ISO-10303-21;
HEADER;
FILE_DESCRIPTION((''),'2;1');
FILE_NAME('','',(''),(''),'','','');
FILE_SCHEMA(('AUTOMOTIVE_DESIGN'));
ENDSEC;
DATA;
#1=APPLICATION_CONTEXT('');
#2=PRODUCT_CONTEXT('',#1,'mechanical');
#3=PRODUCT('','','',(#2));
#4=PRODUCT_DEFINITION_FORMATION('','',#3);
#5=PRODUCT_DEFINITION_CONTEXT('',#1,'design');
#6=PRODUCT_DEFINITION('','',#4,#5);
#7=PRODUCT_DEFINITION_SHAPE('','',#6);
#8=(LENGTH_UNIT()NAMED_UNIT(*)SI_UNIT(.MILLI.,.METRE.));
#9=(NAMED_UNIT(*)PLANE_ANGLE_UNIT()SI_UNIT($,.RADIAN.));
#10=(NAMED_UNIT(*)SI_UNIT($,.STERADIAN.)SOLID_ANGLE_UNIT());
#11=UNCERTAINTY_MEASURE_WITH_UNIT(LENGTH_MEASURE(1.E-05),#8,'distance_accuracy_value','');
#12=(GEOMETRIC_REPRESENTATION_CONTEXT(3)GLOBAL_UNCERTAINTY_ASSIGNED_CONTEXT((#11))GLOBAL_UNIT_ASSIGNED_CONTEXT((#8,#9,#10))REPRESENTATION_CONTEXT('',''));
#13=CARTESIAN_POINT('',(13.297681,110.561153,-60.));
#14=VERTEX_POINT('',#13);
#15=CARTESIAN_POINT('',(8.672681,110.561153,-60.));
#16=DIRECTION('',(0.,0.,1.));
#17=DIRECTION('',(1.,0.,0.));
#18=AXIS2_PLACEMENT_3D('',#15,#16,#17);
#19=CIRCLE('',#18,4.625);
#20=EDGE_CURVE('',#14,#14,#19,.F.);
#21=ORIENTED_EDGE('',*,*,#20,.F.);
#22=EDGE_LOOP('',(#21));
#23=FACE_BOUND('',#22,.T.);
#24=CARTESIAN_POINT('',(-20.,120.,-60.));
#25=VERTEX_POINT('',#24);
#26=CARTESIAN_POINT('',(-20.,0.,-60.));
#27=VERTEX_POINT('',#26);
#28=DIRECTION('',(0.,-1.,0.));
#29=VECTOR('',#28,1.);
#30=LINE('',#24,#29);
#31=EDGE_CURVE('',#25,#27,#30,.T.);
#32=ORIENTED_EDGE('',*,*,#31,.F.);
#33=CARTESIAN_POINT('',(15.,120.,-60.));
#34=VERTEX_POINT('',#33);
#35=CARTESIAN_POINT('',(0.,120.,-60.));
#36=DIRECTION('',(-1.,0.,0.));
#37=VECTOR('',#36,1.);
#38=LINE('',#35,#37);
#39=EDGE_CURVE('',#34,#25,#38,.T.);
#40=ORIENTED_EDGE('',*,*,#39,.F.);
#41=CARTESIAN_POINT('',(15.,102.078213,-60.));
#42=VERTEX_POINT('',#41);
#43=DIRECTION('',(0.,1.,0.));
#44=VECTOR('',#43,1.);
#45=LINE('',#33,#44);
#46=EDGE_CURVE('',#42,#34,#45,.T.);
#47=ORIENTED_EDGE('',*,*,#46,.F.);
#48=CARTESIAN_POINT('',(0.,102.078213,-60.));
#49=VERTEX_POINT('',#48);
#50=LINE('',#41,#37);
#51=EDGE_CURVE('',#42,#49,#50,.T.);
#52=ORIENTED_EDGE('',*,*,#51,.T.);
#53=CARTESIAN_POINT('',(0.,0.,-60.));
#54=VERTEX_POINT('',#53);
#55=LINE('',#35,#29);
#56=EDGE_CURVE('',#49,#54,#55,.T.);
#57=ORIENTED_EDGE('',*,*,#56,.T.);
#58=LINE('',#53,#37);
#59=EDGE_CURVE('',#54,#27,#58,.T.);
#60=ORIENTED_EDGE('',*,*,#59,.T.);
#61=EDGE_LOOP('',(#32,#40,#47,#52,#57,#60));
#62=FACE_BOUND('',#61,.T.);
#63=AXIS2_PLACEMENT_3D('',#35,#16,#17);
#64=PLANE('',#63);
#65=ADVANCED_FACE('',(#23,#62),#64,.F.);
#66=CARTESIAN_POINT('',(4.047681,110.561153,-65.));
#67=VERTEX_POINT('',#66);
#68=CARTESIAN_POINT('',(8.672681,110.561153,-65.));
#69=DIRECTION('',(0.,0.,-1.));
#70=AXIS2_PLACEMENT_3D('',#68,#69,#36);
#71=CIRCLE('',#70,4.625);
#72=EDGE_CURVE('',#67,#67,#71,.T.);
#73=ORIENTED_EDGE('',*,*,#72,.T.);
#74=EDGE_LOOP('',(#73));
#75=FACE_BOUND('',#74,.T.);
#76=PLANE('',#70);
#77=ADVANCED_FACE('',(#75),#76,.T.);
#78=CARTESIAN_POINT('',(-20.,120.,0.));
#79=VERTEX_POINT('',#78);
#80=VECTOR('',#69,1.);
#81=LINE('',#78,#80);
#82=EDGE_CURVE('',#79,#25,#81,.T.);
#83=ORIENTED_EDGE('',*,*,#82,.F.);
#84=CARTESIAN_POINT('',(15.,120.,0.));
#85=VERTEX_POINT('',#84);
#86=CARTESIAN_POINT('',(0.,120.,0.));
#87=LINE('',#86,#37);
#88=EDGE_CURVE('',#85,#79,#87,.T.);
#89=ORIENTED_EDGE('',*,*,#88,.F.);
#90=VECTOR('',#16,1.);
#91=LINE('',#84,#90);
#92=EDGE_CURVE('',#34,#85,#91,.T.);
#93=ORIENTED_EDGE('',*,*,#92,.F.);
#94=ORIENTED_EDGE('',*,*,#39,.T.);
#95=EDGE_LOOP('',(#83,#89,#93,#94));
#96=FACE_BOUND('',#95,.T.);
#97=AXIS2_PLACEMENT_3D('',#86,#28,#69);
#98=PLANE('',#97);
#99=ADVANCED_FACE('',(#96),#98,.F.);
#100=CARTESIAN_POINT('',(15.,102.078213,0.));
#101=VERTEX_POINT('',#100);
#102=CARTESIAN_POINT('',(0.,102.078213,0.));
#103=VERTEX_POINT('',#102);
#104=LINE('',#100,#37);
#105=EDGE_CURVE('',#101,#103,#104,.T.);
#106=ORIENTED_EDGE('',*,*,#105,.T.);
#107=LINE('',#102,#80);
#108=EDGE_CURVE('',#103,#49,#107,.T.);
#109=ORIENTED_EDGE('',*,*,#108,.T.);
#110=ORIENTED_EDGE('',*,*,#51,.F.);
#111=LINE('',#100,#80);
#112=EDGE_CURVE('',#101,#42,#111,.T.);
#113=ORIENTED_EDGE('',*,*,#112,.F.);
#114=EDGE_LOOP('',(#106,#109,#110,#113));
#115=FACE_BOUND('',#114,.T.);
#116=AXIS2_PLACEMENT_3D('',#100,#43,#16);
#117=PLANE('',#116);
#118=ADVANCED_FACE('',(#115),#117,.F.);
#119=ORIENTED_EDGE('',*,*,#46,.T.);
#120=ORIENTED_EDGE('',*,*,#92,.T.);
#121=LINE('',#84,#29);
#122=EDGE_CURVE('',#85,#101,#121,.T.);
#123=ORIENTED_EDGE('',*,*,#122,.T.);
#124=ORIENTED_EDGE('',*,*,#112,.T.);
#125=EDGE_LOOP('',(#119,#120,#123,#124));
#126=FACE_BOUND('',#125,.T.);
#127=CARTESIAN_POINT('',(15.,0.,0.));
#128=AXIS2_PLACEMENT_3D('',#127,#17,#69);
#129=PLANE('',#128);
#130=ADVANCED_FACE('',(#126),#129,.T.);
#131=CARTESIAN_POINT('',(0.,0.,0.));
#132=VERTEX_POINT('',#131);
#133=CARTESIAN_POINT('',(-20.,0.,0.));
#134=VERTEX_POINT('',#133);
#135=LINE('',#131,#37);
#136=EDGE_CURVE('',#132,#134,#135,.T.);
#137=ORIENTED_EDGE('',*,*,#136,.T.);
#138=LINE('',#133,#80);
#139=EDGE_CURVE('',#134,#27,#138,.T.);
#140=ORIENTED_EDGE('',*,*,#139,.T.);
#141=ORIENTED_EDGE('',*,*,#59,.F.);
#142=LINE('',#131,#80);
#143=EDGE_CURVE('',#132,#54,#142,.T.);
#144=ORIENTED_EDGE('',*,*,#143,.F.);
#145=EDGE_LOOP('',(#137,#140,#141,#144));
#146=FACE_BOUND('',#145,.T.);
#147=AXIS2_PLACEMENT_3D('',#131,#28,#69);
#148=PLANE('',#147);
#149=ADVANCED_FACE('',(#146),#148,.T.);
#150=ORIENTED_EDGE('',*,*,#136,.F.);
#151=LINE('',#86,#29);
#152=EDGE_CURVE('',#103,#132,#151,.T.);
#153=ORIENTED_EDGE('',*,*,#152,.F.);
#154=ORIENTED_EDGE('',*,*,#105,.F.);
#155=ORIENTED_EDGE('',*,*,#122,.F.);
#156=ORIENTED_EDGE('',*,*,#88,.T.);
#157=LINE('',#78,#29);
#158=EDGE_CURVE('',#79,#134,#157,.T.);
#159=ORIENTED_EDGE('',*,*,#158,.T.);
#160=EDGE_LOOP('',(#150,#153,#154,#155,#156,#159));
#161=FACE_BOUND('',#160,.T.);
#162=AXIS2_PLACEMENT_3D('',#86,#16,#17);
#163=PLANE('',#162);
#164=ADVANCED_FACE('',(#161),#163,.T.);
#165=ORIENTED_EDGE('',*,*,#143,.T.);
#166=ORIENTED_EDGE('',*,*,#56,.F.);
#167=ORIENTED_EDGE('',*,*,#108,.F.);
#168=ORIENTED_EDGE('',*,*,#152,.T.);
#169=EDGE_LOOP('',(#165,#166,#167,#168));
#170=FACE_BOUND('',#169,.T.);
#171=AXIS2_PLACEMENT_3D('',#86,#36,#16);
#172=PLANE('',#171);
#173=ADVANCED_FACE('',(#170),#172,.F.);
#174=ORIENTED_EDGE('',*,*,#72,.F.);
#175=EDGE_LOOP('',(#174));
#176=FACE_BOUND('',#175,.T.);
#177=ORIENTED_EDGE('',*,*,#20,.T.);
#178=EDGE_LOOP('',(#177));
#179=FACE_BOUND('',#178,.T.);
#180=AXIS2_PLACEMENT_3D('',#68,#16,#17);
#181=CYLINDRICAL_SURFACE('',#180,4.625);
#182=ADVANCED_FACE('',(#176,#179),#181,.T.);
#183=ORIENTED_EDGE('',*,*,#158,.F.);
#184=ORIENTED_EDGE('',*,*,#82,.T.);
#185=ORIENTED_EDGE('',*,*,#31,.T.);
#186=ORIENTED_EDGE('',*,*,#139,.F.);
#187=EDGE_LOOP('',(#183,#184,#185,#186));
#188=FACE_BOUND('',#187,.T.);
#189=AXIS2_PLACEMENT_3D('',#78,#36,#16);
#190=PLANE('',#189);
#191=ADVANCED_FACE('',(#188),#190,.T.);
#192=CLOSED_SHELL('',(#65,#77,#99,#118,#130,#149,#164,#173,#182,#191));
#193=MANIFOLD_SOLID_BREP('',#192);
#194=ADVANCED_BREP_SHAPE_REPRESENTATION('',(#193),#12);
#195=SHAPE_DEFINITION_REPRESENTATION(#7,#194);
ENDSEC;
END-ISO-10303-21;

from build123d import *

# Parameters (mm, degrees)
SKETCH1_W           = 20
SKETCH1_H           = 60
BOSS_EXTRUDE1_DEPTH = 120
SKETCH2_W           = 60
SKETCH2_H           = 17.921787448
BOSS_EXTRUDE2_DEPTH = 15
SKETCH3_R           = 4.625
BOSS_EXTRUDE3_DEPTH = 5


with BuildPart() as part:
    # Sketch1 → Boss-Extrude1 (new body)
    with BuildSketch(Plane(origin=(0, 0, 0), x_dir=(1, 0, 0), z_dir=(0, 1, 0))):
        with Locations((-10, 30)):
            Rectangle(SKETCH1_W, SKETCH1_H)
    extrude(amount=BOSS_EXTRUDE1_DEPTH)

    # Sketch2 → Boss-Extrude2 (add)
    with BuildSketch(Plane(origin=(0, 0, 0), x_dir=(0, 0, -1), z_dir=(1, 0, 0))):
        with Locations((30, 111.039106276)):
            Rectangle(SKETCH2_W, SKETCH2_H)
    extrude(amount=BOSS_EXTRUDE2_DEPTH)

    # Sketch3 → Boss-Extrude3 (add)
    with BuildSketch(Plane(origin=(0, 0, -60), x_dir=(-1, 0, 0), z_dir=(0, 0, -1))):
        with Locations(Location((-8.672680841, 110.56115287, 0), (0, 0, 180))):
            Circle(SKETCH3_R)
    extrude(amount=BOSS_EXTRUDE3_DEPTH)


solid = part.part
